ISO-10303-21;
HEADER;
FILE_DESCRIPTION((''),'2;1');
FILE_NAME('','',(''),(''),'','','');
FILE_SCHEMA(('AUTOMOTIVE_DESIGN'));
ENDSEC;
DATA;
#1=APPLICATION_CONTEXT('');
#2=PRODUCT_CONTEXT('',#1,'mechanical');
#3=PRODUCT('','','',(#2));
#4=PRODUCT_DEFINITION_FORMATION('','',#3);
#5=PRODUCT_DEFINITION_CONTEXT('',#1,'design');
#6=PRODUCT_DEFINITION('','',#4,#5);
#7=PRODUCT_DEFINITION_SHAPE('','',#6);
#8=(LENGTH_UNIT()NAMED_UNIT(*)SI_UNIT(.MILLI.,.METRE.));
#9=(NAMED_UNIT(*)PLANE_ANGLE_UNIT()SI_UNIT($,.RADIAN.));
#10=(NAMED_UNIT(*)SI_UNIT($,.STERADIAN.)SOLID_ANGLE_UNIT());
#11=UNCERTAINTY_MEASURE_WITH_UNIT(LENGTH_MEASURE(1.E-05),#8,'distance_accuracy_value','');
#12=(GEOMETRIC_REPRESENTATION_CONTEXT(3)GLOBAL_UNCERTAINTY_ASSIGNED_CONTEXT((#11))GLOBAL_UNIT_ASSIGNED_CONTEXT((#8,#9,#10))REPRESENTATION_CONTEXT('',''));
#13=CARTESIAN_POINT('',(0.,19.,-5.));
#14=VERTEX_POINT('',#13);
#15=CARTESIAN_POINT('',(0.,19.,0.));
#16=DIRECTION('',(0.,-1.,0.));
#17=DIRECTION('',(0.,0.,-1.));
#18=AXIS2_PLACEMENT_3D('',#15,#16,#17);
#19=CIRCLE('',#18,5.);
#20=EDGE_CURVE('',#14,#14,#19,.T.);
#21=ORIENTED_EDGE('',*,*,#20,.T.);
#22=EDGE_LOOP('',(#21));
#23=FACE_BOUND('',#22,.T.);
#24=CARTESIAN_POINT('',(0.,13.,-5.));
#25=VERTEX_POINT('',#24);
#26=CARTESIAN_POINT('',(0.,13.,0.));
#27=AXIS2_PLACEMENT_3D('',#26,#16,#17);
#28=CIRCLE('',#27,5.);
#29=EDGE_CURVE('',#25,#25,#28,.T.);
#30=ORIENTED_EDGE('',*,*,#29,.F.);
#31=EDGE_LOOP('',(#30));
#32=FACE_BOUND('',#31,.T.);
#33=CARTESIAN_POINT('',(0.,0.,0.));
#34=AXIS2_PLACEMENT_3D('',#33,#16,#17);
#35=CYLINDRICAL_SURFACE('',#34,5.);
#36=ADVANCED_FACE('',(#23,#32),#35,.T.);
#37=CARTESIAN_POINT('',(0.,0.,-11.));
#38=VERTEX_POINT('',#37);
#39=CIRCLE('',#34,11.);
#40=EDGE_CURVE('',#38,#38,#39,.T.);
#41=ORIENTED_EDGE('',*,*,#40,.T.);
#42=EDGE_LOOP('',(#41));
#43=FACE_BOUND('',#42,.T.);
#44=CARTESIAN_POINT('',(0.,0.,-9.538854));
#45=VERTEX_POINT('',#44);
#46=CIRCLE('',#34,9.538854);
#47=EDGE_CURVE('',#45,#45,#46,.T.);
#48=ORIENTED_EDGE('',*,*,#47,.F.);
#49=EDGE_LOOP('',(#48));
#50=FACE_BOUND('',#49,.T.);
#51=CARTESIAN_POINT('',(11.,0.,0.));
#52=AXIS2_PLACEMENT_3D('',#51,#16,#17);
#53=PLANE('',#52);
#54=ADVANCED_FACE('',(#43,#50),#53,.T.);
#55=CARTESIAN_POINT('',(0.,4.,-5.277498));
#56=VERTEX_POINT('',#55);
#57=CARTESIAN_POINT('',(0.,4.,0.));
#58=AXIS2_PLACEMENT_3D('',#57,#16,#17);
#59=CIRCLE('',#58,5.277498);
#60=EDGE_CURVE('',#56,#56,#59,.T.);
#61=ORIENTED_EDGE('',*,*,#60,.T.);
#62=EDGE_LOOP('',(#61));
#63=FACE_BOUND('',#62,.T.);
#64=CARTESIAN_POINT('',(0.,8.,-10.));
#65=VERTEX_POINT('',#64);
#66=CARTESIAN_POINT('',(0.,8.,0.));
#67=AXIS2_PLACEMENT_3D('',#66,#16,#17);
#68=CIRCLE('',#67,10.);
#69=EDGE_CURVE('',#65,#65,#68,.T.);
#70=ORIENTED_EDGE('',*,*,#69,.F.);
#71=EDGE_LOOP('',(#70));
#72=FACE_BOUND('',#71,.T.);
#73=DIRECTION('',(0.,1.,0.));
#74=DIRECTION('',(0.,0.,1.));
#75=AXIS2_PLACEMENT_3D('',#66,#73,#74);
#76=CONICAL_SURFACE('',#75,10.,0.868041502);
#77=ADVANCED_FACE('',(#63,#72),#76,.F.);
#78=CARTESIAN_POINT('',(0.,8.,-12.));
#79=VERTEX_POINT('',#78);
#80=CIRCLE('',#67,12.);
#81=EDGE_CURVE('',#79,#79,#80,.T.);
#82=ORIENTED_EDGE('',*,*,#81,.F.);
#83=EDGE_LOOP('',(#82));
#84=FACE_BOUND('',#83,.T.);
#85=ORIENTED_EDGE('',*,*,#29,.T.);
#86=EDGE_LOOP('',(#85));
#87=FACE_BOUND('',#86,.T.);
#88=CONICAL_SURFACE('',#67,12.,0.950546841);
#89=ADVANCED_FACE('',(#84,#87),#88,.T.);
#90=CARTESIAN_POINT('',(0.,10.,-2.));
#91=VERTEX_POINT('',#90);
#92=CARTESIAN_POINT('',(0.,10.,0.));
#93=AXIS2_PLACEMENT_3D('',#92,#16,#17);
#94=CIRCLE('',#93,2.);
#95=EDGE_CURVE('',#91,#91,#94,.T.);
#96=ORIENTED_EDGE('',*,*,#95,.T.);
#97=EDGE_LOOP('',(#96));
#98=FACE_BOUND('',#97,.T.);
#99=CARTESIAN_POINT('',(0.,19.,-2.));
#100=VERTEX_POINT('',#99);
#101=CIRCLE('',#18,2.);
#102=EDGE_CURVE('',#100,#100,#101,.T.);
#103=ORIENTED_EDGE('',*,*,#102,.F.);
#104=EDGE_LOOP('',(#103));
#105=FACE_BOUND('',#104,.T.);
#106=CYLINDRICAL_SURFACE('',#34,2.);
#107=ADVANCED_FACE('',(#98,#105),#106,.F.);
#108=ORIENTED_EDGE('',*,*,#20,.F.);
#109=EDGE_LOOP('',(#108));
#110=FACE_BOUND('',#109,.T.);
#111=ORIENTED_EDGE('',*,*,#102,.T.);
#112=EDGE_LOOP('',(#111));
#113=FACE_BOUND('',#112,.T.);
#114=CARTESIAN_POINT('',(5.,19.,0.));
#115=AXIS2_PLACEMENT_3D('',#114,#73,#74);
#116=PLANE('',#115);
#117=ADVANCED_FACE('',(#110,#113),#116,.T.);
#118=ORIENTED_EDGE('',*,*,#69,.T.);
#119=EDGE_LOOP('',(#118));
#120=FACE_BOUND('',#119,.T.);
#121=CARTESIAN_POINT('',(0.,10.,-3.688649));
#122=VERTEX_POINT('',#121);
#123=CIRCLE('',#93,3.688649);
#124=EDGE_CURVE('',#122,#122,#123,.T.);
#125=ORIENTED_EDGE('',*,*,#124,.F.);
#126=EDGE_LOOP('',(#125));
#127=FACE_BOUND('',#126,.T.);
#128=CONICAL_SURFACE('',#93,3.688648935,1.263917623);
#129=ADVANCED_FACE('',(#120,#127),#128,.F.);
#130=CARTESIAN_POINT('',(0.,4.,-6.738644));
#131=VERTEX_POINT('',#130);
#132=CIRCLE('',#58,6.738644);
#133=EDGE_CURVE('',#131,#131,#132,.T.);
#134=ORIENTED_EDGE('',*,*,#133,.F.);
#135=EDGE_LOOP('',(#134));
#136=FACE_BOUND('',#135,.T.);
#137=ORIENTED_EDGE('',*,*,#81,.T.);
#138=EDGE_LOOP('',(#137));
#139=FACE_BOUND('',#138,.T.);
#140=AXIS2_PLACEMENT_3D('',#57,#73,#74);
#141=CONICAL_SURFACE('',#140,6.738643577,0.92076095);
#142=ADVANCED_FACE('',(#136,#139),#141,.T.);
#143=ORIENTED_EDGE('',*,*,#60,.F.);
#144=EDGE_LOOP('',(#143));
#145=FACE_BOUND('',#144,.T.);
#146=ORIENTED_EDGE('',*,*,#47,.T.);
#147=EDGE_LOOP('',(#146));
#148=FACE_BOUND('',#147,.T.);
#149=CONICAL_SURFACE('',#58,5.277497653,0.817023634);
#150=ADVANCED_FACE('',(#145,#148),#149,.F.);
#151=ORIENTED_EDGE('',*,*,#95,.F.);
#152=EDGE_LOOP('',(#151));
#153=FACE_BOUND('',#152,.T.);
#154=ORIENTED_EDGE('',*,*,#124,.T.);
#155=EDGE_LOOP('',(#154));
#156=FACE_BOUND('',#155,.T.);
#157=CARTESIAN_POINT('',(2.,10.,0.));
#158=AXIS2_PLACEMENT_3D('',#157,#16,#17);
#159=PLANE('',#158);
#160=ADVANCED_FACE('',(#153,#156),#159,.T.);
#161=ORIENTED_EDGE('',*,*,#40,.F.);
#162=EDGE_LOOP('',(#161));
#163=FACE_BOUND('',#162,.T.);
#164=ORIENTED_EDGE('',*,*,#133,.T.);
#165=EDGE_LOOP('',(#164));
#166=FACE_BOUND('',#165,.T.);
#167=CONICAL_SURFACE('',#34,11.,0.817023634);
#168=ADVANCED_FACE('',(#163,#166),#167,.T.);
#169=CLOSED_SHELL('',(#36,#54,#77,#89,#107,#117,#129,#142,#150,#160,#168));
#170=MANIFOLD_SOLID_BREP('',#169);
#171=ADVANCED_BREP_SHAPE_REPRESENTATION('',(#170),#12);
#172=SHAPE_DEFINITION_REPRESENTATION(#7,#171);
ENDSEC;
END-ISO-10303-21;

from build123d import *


with BuildPart() as part:
    # Esquisse1 → Révolution1 (revolve)
    with BuildSketch(Plane.XY):
        Polygon((5, 19), (5, 13), (12, 8), (6.738643577, 4), (11, 0), (9.538854076, 0), (5.277497653, 4), (10, 8), (3.688648935, 10), (2, 10), (2, 19), align=None)
    revolve(axis=Axis((0, 0, 0), (0, 1, 0)))


solid = part.part
